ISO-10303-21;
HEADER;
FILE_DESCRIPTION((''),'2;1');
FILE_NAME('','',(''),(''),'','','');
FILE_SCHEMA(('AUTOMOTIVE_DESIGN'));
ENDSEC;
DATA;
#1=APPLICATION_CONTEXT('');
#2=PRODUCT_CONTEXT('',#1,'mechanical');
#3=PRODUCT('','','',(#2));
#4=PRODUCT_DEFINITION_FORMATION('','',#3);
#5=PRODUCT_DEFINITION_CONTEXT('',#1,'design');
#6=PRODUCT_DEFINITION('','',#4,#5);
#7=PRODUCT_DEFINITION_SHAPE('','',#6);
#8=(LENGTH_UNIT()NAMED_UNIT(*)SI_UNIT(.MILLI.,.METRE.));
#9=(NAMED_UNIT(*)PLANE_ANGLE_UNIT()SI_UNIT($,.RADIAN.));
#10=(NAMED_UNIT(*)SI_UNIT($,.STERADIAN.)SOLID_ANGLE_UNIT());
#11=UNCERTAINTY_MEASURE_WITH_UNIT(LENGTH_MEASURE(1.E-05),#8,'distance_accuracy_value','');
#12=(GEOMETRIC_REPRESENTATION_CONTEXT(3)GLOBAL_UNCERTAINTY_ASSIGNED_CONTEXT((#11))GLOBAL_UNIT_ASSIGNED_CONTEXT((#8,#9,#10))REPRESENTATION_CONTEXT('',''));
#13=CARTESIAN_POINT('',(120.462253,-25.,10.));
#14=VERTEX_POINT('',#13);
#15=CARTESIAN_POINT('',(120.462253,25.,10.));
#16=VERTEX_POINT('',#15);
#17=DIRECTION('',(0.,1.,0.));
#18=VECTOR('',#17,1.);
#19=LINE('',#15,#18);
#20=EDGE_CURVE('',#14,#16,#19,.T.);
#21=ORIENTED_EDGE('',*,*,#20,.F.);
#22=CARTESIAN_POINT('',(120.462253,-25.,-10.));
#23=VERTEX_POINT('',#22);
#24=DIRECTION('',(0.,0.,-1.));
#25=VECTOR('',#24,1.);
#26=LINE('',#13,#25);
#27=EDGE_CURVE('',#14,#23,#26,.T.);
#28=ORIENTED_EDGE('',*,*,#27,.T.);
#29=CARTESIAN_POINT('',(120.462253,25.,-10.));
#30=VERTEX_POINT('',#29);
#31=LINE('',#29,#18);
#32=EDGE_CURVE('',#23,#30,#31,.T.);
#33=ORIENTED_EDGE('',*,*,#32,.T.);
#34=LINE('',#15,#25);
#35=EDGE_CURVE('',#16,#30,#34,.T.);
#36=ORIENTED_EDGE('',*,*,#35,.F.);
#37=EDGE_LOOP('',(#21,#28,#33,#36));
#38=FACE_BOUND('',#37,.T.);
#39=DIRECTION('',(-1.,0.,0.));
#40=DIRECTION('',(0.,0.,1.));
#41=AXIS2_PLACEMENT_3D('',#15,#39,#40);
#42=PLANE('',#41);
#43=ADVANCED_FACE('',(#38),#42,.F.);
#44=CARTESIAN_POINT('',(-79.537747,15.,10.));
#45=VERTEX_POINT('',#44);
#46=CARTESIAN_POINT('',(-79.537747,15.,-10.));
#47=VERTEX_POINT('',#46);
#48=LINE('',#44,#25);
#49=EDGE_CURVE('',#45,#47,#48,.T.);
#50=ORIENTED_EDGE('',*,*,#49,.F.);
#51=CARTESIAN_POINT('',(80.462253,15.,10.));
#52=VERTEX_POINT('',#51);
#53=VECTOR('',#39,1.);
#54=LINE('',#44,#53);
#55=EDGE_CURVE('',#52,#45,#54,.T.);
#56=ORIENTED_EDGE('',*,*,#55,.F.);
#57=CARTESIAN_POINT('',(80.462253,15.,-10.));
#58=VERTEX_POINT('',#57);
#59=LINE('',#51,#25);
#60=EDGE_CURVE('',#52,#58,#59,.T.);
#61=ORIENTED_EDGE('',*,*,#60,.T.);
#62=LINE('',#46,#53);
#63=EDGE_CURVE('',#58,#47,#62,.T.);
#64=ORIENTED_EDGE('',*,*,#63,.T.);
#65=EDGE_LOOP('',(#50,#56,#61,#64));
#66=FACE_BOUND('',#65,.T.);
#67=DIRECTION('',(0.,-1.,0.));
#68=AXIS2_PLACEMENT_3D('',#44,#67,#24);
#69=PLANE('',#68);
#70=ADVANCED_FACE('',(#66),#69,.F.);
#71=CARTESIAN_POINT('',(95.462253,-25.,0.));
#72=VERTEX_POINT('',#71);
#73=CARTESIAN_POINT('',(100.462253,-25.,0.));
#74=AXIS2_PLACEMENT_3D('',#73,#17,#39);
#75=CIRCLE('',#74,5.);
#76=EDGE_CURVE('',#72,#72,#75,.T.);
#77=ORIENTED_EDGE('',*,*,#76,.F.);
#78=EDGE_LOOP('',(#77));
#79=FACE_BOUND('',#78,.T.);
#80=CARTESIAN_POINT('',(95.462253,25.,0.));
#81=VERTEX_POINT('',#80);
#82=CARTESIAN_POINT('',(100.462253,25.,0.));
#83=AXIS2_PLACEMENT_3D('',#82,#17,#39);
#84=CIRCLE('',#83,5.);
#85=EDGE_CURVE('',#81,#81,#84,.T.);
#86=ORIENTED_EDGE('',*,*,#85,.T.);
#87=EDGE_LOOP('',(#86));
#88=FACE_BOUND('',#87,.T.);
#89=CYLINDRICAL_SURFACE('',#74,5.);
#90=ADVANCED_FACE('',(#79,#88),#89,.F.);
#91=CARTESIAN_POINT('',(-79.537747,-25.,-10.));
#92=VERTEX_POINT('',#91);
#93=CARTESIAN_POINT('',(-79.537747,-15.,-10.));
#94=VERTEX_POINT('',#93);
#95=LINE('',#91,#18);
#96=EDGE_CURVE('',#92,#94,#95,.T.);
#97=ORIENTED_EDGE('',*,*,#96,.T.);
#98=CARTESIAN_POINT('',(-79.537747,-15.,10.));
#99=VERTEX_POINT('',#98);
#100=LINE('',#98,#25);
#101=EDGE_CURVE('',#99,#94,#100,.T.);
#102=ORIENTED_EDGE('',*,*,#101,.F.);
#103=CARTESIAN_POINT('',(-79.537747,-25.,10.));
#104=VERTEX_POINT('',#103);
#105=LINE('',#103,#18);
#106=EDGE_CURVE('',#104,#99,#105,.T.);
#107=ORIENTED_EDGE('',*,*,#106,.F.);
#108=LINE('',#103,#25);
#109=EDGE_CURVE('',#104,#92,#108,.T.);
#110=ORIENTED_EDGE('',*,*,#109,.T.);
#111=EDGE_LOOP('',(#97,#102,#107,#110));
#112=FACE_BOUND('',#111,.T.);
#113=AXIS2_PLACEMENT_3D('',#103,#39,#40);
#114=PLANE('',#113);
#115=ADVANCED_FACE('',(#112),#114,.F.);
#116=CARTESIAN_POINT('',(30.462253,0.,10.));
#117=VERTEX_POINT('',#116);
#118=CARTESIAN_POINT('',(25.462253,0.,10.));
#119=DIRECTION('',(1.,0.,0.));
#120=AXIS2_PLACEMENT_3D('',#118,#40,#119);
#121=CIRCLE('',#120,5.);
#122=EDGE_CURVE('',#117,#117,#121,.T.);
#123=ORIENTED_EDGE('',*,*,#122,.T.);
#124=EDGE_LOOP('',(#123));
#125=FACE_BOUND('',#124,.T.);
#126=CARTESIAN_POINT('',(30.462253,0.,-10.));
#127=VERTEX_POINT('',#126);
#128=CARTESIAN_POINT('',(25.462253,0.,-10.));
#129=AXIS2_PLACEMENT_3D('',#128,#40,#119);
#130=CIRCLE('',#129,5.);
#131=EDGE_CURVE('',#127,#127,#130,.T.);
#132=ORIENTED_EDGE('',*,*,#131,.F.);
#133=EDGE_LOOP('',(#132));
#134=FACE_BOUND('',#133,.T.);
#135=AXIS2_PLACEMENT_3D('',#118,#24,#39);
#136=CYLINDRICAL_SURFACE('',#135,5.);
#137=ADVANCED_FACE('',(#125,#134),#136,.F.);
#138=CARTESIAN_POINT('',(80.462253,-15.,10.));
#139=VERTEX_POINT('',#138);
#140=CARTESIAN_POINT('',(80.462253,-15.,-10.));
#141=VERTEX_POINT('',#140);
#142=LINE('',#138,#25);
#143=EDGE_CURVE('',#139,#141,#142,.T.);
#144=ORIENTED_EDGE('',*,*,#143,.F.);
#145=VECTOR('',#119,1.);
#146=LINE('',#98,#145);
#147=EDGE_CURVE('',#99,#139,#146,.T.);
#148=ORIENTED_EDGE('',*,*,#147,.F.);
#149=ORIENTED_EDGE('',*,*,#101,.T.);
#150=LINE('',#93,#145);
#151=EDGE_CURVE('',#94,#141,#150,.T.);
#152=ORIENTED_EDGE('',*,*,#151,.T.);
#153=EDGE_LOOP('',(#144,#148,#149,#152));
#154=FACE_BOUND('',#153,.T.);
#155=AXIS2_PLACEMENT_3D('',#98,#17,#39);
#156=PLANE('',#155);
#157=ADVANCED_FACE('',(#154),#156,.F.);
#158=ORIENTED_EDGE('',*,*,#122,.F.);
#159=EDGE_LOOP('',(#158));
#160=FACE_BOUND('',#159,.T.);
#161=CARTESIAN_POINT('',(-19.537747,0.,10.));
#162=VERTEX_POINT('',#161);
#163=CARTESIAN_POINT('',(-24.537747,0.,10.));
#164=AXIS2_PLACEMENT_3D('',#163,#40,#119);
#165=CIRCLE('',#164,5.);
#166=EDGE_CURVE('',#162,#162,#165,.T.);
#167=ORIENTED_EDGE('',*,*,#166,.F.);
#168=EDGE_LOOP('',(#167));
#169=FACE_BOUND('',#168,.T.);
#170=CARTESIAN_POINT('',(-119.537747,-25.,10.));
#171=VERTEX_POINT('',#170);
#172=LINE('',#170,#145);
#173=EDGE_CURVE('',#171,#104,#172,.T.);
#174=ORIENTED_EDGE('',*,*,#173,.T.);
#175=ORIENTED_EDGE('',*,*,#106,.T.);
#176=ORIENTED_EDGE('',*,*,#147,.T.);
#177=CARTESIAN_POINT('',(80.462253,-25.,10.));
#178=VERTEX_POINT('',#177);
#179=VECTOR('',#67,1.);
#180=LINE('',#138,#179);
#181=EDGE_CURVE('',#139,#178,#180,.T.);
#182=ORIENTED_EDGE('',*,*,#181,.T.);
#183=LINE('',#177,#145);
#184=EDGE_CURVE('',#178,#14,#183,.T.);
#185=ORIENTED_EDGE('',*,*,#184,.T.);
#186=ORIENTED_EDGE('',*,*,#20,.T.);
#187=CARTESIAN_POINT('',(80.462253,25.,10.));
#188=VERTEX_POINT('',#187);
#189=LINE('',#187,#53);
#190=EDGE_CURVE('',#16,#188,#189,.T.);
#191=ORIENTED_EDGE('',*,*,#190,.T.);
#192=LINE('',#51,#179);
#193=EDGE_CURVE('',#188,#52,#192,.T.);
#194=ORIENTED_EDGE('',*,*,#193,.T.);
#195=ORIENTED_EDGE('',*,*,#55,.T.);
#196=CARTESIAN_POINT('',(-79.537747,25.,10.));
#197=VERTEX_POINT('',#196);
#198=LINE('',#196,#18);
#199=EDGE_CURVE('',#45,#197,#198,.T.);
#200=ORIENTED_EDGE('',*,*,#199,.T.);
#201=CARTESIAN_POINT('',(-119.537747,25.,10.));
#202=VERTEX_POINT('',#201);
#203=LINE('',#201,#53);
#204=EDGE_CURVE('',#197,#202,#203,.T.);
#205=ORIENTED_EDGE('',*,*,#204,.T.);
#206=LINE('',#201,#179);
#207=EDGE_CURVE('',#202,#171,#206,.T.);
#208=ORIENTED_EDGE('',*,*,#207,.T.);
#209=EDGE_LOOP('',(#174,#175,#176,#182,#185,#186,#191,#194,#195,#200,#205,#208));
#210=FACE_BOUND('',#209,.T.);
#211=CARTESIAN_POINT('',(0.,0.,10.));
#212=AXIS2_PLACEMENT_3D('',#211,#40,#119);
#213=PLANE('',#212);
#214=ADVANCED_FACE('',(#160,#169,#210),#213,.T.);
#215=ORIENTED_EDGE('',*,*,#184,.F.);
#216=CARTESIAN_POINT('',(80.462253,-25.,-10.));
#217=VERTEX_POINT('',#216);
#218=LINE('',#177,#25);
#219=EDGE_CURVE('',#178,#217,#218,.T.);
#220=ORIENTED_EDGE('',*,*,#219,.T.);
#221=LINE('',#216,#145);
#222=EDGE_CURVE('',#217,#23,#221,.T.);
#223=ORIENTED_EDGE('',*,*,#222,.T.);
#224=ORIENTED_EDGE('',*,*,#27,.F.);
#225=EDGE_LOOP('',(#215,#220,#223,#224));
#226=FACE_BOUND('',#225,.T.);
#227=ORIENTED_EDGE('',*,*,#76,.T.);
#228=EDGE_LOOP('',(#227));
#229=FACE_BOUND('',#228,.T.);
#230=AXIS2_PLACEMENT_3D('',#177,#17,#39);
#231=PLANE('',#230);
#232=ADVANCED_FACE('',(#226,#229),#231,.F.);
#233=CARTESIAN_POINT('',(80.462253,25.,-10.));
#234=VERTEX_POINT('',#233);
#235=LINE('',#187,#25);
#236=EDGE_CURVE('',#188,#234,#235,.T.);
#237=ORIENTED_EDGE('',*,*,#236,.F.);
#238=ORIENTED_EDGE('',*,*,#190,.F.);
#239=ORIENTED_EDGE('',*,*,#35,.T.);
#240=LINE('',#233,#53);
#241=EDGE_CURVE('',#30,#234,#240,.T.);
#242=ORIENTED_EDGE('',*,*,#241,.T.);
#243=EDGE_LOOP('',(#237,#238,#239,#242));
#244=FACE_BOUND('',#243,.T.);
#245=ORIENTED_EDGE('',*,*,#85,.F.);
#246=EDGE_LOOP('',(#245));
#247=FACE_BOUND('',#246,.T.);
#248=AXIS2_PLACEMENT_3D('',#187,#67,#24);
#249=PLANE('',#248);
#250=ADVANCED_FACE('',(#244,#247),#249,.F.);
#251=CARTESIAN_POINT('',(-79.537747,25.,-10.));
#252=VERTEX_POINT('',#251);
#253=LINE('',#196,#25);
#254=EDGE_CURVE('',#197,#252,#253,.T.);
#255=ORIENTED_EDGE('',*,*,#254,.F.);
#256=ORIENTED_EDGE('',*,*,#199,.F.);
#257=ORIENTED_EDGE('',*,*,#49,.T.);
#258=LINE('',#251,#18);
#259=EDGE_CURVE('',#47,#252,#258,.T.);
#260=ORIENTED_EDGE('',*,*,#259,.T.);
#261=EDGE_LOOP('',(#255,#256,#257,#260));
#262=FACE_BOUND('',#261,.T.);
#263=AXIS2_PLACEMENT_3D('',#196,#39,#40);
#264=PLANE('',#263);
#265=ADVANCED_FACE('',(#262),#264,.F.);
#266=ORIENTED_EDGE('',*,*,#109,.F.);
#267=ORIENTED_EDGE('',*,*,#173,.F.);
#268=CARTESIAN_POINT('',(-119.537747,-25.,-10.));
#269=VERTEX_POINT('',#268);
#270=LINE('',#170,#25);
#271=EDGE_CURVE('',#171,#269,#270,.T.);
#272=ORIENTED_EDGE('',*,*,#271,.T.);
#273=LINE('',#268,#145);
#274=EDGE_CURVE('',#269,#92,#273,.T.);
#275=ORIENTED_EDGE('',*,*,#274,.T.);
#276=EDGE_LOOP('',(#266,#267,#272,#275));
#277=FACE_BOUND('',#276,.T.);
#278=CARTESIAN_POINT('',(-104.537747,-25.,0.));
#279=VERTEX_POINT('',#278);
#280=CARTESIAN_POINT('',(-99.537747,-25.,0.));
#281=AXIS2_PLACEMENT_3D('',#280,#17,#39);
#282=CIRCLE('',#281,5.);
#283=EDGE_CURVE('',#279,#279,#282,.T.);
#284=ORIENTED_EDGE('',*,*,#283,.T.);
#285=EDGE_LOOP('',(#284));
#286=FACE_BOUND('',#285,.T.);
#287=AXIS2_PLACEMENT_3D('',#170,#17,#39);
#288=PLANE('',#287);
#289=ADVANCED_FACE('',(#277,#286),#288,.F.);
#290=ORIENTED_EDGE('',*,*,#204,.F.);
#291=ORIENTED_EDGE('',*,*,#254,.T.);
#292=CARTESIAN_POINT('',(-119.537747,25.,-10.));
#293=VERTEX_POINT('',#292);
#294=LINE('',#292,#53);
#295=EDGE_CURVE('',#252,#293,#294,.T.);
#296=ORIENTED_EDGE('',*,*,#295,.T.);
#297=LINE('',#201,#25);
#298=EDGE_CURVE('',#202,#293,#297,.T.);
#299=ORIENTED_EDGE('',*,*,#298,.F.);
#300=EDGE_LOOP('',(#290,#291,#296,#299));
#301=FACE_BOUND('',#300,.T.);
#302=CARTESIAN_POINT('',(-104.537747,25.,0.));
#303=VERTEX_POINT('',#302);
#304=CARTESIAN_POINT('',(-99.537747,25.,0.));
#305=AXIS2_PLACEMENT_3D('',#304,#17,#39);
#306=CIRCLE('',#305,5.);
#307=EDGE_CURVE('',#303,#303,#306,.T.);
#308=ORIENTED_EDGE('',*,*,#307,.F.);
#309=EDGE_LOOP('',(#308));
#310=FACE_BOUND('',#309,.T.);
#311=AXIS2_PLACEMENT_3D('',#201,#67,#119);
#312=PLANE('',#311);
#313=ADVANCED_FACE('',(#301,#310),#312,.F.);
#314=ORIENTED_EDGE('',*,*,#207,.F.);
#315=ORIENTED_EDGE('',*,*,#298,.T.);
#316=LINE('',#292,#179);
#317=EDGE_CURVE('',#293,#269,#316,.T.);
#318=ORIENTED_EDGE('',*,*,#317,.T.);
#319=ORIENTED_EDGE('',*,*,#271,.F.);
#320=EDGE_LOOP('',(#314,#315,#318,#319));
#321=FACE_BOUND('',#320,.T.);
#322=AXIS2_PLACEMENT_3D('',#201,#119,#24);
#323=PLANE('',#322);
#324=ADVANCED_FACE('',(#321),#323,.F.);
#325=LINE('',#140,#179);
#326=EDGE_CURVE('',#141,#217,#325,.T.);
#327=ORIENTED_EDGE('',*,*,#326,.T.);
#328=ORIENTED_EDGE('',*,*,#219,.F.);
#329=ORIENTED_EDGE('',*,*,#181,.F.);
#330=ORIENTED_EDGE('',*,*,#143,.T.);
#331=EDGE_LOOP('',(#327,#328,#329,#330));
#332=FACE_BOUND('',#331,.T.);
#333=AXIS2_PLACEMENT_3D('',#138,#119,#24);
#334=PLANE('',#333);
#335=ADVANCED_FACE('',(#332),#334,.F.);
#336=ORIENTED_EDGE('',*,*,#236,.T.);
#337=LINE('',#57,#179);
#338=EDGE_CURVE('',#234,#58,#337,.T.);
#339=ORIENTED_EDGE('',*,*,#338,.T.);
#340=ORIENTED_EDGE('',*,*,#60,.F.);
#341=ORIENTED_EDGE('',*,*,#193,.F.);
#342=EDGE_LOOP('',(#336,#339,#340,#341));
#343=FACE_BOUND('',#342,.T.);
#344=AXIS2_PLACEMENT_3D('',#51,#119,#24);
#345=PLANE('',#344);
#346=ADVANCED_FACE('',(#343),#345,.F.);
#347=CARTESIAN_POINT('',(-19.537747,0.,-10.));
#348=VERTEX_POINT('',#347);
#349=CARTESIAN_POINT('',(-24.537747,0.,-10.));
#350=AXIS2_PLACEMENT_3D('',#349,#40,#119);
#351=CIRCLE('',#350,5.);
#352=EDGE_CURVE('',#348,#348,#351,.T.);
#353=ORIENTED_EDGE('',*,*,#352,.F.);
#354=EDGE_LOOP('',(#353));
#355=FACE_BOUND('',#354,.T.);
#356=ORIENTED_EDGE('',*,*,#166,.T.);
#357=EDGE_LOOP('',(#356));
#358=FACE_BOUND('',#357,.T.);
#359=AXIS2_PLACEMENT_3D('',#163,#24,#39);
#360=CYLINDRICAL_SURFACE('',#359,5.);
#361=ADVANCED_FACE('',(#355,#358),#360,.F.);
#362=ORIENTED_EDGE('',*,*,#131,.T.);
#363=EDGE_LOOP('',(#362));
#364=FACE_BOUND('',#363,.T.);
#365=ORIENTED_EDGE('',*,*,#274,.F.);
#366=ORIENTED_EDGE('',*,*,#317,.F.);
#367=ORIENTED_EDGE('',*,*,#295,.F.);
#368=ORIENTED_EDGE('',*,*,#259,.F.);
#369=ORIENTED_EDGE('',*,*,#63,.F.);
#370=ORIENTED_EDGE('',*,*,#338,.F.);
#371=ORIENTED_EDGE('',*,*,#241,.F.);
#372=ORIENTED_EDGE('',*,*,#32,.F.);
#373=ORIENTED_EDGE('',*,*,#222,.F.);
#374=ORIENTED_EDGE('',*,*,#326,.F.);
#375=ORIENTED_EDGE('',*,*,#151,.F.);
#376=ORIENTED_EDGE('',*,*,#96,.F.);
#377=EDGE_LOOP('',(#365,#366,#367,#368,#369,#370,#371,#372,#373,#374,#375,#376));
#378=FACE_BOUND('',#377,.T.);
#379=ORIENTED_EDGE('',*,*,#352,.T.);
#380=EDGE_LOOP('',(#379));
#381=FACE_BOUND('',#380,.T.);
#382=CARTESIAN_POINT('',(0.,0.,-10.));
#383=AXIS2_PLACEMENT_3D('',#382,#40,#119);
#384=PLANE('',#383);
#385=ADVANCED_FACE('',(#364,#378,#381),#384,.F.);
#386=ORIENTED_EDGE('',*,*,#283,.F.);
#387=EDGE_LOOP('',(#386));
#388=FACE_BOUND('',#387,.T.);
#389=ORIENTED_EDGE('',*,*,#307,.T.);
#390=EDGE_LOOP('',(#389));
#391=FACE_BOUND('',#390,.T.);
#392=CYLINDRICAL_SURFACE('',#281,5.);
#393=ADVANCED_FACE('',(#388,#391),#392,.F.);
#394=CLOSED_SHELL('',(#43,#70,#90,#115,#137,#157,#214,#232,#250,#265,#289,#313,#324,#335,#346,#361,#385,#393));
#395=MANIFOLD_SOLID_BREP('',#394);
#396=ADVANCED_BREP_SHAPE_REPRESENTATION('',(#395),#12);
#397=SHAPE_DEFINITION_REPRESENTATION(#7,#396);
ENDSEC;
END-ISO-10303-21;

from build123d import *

# Parameters (mm, degrees)
ESQUISSE1_R             = 5
BOSS_EXTRU_2_DEPTH      = 10
ESQUISSE3_R             = 5
ENL_V_MAT_EXTRU_1_DEPTH = 51


with BuildPart() as part:
    # Esquisse1 → Boss.-Extru.2 (new body, symmetric)
    with BuildSketch(Plane.XY):
        Polygon((-119.537747133, 25), (-79.537747133, 25), (-79.537747133, 15), (80.462252867, 15), (80.462252867, 25), (120.462252867, 25), (120.462252867, -25), (80.462252867, -25), (80.462252867, -15), (-79.537747133, -15), (-79.537747133, -25), (-119.537747133, -25), align=None)
        with Locations((-24.537747133, 0)):
            Circle(ESQUISSE1_R, mode=Mode.SUBTRACT)
        with Locations((25.462252867, 0)):
            Circle(ESQUISSE1_R, mode=Mode.SUBTRACT)
    extrude(amount=BOSS_EXTRU_2_DEPTH, both=True)

    # Esquisse3 → Enlèv. mat.-Extru.1 (cut, through all)
    with BuildSketch(Plane(origin=(0, 25, 0), x_dir=(1, 0, 0), z_dir=(0, 1, 0))):
        with Locations(Location((-99.537747133, 0, 0), (0, 0, 180))):  # turned: the seam where the file's is
            Circle(ESQUISSE3_R)
        with Locations(Location((100.462252867, 0, 0), (0, 0, 180))):  # turned: the seam where the file's is
            Circle(ESQUISSE3_R)
    extrude(amount=-ENL_V_MAT_EXTRU_1_DEPTH, mode=Mode.SUBTRACT)


solid = part.part
